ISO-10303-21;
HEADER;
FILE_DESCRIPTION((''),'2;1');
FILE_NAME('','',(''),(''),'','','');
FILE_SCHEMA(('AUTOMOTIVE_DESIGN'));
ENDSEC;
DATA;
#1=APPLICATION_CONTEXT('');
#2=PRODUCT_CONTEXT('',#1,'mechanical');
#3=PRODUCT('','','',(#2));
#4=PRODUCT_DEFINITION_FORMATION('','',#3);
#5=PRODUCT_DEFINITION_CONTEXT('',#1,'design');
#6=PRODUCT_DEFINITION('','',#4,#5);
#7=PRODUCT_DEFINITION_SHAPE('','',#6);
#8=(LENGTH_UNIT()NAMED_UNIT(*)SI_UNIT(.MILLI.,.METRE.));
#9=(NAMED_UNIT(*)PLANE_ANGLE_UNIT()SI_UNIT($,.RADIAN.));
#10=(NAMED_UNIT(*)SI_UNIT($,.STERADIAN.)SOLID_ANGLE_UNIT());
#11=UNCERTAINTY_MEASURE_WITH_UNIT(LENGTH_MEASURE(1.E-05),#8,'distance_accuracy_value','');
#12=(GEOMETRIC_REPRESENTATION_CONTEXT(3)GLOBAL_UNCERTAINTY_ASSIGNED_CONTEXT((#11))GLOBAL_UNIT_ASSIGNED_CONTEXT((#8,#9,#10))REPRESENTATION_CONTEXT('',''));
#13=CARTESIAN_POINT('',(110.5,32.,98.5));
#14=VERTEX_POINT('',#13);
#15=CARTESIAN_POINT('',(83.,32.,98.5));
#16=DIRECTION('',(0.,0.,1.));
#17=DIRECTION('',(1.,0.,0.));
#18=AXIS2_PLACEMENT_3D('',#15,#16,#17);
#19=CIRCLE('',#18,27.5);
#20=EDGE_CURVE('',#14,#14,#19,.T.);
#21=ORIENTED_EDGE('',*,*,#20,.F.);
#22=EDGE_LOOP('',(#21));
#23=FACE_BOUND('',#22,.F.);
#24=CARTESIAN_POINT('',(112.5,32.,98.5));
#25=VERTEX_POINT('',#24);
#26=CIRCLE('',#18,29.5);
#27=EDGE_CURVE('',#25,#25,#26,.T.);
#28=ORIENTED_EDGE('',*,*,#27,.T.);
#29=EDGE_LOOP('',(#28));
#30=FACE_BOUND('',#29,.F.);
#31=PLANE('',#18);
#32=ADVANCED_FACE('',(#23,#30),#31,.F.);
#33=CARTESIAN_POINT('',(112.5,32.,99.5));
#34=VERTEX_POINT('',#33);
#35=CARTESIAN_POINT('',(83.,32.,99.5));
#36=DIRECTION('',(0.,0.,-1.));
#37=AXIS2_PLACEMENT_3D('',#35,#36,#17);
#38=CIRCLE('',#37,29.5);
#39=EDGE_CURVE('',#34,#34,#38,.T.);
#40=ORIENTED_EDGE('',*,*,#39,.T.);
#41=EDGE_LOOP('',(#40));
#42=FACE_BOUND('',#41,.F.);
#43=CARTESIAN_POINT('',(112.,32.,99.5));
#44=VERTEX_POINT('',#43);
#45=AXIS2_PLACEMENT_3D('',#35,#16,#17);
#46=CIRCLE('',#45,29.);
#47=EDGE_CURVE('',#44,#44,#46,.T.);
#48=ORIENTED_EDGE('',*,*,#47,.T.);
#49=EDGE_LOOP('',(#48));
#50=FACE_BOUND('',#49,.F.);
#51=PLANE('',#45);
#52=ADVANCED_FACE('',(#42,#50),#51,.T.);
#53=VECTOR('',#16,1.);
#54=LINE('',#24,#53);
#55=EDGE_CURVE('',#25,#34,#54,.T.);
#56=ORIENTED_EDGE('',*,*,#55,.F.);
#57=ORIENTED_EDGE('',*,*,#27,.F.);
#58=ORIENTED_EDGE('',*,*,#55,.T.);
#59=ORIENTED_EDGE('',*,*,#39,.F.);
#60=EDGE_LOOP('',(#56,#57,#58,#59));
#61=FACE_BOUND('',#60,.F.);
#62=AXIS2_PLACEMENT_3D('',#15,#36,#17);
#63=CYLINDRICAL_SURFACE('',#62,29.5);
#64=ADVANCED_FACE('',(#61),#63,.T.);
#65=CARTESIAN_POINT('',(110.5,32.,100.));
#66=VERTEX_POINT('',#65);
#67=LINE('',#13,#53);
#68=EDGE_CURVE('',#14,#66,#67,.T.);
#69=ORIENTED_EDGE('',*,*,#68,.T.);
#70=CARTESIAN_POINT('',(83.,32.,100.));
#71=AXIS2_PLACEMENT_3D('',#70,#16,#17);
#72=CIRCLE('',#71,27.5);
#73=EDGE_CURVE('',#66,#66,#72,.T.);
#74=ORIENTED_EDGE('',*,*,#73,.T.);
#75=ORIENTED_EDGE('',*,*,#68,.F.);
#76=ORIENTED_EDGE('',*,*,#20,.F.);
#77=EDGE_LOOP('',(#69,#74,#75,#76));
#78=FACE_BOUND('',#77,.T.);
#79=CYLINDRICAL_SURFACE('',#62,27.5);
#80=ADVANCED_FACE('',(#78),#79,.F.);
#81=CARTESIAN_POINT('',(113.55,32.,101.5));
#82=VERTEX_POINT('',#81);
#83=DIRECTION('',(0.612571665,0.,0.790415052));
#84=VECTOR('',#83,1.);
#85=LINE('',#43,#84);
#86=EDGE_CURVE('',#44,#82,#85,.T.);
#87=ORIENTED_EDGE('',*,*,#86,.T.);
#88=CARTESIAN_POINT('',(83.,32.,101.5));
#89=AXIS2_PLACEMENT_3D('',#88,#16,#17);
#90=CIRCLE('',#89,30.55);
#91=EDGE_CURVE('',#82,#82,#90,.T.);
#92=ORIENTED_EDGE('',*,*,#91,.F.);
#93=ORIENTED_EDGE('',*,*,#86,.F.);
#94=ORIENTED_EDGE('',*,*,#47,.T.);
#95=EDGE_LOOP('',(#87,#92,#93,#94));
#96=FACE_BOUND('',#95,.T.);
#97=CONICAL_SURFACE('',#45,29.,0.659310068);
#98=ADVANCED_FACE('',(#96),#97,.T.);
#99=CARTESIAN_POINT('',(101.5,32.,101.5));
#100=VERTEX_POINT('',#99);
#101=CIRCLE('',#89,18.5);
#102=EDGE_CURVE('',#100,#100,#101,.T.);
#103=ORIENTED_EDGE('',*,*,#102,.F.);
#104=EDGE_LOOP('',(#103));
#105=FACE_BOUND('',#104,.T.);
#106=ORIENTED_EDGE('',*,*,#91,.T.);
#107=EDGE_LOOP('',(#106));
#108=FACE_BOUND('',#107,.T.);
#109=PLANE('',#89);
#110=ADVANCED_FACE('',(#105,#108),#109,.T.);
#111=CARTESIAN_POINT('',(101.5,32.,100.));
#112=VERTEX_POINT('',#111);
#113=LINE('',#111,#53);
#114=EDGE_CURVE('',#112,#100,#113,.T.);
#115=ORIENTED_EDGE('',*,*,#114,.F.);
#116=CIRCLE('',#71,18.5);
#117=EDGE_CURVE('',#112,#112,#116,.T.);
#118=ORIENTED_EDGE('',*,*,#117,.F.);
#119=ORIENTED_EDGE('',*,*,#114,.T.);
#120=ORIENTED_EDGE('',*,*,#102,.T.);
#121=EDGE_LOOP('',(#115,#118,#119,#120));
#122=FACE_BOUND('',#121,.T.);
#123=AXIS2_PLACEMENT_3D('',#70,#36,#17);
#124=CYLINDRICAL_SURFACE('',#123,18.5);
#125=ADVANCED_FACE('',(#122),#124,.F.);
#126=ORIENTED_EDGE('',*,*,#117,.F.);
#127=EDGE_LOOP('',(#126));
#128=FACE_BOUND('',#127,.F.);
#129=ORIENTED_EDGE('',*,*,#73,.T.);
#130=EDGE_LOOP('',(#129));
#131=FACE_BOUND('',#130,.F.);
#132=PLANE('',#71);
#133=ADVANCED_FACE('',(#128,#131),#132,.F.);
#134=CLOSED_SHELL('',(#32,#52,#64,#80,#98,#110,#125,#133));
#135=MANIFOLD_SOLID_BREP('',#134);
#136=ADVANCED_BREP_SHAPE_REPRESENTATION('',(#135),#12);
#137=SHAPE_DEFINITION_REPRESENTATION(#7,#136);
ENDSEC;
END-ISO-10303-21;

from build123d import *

# Parameters (mm, degrees)
CYLINDER009_R     = 18.5
CYLINDER009_DEPTH = 1.5
CYLINDER008_R     = 31
CYLINDER008_DEPTH = 1.5
CYLINDER007_R     = 27.5
CYLINDER007_DEPTH = 10
CYLINDER006_R     = 27.5
CYLINDER006_DEPTH = 1.5
CYLINDER005_R     = 29.5
CYLINDER005_DEPTH = 1.5


with BuildPart() as cone002:
    # Cone002 → Cone002 (revolve)
    with BuildSketch(Plane.XZ):
        Polygon((0, 0), (29, 0), (60, 40), (0, 40), align=None)
    revolve(axis=Axis((0, 0, 0), (0, 0, 1)))


with BuildPart() as cut013:
    # Cone003 → Cone003 (revolve)
    with BuildSketch(Plane.XZ):
        Polygon((0, 0), (31, 0), (62, 40), (0, 40), align=None)
    revolve(axis=Axis((0, 0, 0), (0, 0, 1)))

    # Cut013: cut Cone002
    add(cone002.part, mode=Mode.SUBTRACT)


with BuildPart() as cut013_1:
    # Cut013 placement: moved
    add(cut013.part.moved(Location((83, 32, 99.5))))


with BuildPart() as cylinder009:
    # Cylinder009 → Cylinder009 (new body)
    with BuildSketch(Plane.XY):
        Circle(CYLINDER009_R)
    extrude(amount=CYLINDER009_DEPTH)


with BuildPart() as cut010:
    # Cylinder008 → Cylinder008 (new body)
    with BuildSketch(Plane.XY):
        Circle(CYLINDER008_R)
    extrude(amount=CYLINDER008_DEPTH)

    # Cut010: cut Cylinder009
    add(cylinder009.part, mode=Mode.SUBTRACT)


with BuildPart() as cut010_1:
    # Cut010 placement: moved
    add(cut010.part.moved(Location((0, 0, 1.5))))


with BuildPart() as cylinder007:
    # Cylinder007 → Cylinder007 (new body)
    with BuildSketch(Plane.XY):
        Circle(CYLINDER007_R)
    extrude(amount=CYLINDER007_DEPTH)


with BuildPart() as cylinder006:
    # Cylinder006 → Cylinder006 (new body)
    with BuildSketch(Plane.XY):
        Circle(CYLINDER006_R)
    extrude(amount=CYLINDER006_DEPTH)


with BuildPart() as union:
    # Cylinder005 → Cylinder005 (new body)
    with BuildSketch(Plane.XY):
        Circle(CYLINDER005_R)
    extrude(amount=CYLINDER005_DEPTH)

    # Cut008: cut Cylinder006
    add(cylinder006.part, mode=Mode.SUBTRACT)

    # Cut009: cut Cylinder007
    add(cylinder007.part, mode=Mode.SUBTRACT)

    # Fusion004: union Cut010
    add(cut010_1.part)


with BuildPart() as union_1:
    # Fusion004 placement: moved
    add(union.part.moved(Location((83, 32, 98.5))))

    # Cut014: cut Cut013
    add(cut013_1.part, mode=Mode.SUBTRACT)


solid = union_1.part
